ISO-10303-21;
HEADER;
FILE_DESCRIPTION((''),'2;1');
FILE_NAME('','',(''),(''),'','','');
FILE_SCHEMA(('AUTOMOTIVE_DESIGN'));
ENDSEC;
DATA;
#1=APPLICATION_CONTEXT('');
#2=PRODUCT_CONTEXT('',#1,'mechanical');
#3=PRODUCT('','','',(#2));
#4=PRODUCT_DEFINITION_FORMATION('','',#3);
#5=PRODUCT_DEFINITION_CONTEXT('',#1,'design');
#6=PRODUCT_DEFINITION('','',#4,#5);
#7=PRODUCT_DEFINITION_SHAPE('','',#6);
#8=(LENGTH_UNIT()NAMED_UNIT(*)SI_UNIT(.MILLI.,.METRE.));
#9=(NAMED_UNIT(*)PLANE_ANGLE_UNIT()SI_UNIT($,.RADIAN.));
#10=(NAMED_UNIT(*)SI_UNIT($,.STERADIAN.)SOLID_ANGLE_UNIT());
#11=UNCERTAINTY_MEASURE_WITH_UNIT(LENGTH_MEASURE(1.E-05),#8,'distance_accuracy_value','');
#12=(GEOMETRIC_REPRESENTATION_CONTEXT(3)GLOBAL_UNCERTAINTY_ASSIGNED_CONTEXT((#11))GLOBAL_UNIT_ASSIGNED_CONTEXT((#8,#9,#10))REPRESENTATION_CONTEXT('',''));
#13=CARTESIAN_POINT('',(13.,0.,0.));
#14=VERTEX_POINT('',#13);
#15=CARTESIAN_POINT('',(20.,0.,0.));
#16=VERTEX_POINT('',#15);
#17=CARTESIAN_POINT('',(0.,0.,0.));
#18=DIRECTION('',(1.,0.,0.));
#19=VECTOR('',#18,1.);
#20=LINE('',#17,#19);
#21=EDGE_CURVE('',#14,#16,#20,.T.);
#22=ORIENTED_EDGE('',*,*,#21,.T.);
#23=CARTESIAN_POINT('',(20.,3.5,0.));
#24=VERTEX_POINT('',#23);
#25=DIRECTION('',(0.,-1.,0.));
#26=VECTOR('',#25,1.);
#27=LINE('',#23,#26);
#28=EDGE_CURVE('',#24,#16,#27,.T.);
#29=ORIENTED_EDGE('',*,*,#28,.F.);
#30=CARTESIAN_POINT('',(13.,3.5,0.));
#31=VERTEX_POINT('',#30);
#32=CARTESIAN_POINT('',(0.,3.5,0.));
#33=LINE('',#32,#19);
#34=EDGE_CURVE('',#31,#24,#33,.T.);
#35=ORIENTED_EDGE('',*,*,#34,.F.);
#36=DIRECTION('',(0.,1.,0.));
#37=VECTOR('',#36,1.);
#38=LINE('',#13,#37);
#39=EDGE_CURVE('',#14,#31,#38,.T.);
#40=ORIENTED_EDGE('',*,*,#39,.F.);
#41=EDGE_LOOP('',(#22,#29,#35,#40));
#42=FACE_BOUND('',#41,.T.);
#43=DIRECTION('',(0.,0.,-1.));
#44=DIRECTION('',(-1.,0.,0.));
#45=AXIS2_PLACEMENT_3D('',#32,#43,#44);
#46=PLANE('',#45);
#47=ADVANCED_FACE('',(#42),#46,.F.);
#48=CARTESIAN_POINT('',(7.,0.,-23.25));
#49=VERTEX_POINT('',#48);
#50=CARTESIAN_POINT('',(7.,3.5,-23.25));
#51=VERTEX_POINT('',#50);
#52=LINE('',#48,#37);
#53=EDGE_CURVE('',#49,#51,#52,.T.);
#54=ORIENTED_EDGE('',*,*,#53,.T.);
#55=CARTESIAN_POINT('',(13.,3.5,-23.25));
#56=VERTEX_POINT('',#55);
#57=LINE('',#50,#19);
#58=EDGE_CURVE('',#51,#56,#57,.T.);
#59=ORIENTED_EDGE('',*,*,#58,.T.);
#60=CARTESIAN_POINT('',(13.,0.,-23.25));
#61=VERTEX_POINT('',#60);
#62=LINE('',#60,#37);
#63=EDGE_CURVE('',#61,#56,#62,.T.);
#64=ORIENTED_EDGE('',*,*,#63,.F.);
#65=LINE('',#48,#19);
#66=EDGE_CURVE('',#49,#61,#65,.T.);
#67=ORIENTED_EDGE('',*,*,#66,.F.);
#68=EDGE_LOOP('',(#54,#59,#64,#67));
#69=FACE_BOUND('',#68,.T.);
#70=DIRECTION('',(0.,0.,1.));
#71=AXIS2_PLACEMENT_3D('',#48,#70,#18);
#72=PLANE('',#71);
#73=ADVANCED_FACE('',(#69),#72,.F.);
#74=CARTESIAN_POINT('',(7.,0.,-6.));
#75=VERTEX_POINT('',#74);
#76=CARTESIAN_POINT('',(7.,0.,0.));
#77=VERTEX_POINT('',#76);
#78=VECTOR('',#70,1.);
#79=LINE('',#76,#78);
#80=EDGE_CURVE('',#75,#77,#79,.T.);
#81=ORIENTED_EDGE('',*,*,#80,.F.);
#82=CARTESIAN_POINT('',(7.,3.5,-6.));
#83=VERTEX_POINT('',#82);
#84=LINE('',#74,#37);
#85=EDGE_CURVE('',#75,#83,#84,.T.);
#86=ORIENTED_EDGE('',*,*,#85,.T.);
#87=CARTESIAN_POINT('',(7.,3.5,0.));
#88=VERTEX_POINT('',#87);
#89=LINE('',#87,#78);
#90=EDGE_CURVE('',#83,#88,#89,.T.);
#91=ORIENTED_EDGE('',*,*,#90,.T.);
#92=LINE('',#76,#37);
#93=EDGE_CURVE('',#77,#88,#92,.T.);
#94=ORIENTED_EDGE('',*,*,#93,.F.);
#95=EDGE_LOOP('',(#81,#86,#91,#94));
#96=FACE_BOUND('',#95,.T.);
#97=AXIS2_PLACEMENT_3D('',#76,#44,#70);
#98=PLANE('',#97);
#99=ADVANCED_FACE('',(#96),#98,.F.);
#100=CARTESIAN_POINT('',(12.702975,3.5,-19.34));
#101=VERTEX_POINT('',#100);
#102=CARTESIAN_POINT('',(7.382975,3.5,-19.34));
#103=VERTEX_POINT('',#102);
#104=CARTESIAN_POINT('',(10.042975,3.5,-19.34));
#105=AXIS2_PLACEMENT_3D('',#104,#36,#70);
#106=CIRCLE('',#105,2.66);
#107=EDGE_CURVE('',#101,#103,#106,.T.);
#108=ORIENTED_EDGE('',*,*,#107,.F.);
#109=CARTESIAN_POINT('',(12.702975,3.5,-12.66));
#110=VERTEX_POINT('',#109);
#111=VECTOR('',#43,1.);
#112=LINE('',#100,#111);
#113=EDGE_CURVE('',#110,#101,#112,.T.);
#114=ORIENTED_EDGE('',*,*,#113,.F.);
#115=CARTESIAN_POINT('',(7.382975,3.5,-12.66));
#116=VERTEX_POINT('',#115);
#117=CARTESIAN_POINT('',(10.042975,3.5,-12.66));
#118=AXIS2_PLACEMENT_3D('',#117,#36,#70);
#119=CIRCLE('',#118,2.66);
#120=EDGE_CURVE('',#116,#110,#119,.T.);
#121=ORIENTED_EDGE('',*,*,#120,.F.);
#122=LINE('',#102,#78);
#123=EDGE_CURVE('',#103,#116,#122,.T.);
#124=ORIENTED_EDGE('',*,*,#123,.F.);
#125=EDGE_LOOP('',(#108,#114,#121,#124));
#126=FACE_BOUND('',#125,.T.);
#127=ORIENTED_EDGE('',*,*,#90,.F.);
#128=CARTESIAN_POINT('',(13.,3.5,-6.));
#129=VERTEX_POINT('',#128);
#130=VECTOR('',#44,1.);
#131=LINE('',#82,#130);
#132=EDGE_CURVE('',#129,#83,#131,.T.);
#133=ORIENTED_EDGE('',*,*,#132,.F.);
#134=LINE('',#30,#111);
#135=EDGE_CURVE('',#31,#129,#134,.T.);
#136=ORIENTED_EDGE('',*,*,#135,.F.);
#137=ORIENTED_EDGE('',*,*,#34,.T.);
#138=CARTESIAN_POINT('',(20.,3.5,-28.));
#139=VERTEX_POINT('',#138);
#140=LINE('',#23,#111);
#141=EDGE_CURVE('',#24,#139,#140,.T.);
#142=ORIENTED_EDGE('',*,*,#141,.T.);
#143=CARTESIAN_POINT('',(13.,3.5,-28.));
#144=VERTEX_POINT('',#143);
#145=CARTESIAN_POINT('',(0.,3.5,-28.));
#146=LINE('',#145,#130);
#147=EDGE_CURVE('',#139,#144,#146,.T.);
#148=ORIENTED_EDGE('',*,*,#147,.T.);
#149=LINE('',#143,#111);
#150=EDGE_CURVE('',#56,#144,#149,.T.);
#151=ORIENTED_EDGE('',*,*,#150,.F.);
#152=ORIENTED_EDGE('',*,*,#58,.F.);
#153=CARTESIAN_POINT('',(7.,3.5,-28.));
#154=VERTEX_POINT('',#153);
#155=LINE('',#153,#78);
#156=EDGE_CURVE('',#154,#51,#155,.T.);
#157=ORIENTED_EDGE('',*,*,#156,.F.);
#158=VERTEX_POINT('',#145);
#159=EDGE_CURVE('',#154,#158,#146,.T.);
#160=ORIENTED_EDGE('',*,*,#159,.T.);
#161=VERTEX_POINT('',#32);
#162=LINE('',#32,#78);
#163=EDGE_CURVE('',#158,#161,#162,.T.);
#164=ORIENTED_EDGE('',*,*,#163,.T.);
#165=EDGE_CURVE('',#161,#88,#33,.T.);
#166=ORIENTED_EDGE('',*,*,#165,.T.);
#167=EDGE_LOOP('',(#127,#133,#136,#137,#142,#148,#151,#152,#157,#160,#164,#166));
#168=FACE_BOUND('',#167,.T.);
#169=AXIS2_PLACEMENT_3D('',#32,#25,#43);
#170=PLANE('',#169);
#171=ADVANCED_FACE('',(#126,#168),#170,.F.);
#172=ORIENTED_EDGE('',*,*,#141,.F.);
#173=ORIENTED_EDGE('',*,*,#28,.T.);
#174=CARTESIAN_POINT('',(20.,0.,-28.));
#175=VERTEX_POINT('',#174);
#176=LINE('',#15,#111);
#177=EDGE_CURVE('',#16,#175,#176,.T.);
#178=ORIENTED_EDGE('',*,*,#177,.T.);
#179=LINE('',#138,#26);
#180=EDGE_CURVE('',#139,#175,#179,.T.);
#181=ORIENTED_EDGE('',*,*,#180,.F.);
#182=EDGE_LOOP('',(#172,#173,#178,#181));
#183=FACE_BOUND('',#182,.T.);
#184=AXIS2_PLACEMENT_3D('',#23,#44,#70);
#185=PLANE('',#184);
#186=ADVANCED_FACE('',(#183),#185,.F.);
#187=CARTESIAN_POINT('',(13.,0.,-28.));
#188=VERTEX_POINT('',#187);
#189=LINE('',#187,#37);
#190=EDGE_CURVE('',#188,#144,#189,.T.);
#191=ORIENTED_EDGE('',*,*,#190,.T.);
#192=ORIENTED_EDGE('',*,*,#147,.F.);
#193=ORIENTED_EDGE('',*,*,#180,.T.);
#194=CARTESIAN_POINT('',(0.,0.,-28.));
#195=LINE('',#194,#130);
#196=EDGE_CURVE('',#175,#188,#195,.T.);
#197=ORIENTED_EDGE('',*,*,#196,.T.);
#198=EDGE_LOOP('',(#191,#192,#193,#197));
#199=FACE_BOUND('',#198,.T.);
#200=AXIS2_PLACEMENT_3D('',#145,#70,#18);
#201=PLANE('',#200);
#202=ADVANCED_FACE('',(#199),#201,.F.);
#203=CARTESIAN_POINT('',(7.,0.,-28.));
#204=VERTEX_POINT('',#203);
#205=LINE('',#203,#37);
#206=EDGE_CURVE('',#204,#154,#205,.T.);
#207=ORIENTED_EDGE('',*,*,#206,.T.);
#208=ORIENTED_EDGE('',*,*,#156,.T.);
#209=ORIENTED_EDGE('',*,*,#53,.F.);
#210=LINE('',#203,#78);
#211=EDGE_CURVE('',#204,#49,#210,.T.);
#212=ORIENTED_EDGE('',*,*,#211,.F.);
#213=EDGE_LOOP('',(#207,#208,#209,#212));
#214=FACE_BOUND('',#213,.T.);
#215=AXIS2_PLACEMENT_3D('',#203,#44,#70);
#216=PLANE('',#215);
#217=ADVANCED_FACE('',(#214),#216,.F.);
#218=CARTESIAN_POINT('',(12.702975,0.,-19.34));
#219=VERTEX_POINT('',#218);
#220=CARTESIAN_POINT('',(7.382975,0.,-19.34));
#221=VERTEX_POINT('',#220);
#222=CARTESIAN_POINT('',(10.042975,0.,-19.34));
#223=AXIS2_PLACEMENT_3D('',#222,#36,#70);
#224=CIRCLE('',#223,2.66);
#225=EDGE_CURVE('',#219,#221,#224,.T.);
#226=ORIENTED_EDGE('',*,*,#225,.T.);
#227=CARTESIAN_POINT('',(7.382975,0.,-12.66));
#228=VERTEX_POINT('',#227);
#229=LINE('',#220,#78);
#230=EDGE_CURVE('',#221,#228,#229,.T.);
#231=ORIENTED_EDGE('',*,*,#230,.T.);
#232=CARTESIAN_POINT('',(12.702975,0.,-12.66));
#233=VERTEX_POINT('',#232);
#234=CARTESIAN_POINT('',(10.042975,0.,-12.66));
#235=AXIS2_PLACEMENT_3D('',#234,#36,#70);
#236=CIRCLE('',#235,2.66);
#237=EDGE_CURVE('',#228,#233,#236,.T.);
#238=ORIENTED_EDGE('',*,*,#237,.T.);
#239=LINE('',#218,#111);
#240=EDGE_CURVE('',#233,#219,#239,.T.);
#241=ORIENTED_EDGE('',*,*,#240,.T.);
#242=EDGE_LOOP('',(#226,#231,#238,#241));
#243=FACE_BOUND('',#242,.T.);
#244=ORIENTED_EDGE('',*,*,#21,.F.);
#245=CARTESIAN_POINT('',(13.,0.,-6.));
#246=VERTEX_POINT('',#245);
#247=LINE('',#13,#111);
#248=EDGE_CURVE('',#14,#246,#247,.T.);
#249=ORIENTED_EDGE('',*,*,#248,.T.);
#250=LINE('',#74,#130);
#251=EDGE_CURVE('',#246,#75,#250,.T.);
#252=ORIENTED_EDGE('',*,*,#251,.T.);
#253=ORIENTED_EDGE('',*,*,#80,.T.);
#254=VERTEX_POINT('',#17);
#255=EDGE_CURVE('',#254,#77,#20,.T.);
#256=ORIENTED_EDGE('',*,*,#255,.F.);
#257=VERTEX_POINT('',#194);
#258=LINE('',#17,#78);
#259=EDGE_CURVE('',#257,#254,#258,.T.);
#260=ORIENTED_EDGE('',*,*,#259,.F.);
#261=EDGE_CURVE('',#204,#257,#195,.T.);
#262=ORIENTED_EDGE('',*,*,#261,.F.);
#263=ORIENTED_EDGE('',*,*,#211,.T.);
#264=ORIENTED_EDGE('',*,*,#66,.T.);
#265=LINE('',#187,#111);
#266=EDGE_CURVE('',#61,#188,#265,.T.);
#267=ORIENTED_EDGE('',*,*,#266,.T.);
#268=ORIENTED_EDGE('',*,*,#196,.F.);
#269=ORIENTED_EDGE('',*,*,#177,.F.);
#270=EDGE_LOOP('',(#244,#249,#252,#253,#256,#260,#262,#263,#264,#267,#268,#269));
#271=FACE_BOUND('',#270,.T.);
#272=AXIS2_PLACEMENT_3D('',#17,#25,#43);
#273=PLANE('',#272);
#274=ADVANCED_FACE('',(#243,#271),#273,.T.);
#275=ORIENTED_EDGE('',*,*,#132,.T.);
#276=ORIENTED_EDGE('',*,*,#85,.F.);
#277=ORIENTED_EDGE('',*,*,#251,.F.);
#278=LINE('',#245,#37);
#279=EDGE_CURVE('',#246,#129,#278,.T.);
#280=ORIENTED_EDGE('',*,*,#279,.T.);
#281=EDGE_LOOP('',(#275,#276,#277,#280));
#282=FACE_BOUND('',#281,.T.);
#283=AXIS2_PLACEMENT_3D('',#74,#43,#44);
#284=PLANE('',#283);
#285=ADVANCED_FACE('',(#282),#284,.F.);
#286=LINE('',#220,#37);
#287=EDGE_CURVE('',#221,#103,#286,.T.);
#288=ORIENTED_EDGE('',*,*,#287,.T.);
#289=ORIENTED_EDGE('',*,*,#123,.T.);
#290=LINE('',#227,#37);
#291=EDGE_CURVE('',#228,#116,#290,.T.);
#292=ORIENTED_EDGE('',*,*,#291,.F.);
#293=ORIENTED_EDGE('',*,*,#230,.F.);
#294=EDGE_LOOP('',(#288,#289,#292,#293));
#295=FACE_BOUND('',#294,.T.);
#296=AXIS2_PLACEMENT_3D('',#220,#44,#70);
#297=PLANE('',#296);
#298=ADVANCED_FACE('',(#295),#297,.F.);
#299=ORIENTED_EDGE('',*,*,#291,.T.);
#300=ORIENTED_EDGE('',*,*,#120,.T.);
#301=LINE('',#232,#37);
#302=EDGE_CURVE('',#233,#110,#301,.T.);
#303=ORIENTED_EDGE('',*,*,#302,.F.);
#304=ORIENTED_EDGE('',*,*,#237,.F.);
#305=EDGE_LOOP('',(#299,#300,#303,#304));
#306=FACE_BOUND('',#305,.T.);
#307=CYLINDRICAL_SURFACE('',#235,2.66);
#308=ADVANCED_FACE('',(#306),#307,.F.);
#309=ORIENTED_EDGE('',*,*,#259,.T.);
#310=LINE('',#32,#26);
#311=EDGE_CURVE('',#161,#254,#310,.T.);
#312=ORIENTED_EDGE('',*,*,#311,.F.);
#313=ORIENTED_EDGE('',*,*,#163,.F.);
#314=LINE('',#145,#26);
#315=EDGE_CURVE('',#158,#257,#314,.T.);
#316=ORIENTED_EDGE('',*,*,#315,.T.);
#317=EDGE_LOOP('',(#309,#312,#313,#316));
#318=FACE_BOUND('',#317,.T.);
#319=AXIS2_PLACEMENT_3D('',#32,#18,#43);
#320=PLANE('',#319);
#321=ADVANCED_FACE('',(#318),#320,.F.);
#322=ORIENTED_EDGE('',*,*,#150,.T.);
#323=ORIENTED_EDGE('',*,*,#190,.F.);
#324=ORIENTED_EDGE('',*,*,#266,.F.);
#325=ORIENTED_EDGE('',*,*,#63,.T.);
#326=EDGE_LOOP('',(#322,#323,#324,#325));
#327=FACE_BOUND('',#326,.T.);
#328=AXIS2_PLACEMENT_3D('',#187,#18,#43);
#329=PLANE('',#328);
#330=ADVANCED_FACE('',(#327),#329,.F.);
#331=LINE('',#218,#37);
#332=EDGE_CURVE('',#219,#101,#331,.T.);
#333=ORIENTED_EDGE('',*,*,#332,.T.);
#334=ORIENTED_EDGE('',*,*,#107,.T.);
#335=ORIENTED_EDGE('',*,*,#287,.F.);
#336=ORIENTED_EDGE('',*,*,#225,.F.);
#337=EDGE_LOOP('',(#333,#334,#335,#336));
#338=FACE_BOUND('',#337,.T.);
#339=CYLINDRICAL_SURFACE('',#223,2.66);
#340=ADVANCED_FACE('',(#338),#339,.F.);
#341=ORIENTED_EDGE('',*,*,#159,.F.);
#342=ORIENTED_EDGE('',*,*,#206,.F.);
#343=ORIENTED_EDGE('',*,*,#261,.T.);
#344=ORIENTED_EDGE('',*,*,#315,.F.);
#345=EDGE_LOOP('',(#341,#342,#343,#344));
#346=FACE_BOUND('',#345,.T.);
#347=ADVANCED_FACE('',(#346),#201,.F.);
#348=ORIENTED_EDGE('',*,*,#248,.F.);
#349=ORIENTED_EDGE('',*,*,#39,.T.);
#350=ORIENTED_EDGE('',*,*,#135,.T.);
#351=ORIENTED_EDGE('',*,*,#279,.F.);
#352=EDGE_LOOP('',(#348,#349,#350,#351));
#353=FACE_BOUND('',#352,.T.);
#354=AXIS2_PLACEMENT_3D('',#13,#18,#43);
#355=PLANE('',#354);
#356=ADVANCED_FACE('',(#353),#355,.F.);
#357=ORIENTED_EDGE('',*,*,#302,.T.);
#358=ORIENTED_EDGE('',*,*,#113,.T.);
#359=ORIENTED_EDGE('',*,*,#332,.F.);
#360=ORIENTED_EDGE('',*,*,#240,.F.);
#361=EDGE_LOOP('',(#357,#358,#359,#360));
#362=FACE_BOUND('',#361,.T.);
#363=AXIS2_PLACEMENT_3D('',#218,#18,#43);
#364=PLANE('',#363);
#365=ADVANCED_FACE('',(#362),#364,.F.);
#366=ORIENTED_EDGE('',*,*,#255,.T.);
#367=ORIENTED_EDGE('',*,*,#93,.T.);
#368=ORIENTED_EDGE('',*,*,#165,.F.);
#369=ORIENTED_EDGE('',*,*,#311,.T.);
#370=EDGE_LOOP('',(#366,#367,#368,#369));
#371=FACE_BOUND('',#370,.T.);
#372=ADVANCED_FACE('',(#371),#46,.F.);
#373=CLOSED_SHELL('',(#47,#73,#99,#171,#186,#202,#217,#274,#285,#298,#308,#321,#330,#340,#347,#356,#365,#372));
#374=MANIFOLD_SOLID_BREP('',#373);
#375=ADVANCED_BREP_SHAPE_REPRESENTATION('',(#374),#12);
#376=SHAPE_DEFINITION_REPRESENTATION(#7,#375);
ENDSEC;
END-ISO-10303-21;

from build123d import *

# Parameters (mm, degrees)
SKETCH1_W           = 20
SKETCH1_H           = 28
BOSS_EXTRUDE1_DEPTH = 3.5
SKETCH2_W           = 6
SKETCH2_H           = 4.75
SKETCH2_H_2         = 6
CUT_EXTRUDE1_DEPTH  = 4.5
CUT_EXTRUDE6_DEPTH  = 4.5


with BuildPart() as part:
    # Sketch1 → Boss-Extrude1 (new body)
    with BuildSketch(Plane(origin=(0, 0, 0), x_dir=(1, 0, 0), z_dir=(0, 1, 0))):
        with Locations((10, 14)):
            Rectangle(SKETCH1_W, SKETCH1_H)
    extrude(amount=BOSS_EXTRUDE1_DEPTH)

    # Sketch2 → Cut-Extrude1 (cut, through all)
    with BuildSketch(Plane(origin=(0, 3.5, 0), x_dir=(1, 0, 0), z_dir=(0, 1, 0))):
        with Locations((10, 25.625)):
            Rectangle(SKETCH2_W, SKETCH2_H)
        with Locations((10, 3)):
            Rectangle(SKETCH2_W, SKETCH2_H_2)
    extrude(amount=-CUT_EXTRUDE1_DEPTH, mode=Mode.SUBTRACT)

    # Sketch4 → Cut-Extrude6 (cut, through all)
    with BuildSketch(Plane(origin=(0, 3.5, 0), x_dir=(1, 0, 0), z_dir=(0, 1, 0))):
        with BuildLine():
            Line((12.702975316, 19.34), (12.702975316, 12.66))
            ThreePointArc((12.702975316, 12.66), (10.042975316, 10), (7.382975316, 12.66))
            Line((7.382975316, 12.66), (7.382975316, 19.34))
            ThreePointArc((7.382975316, 19.34), (10.042975316, 22), (12.702975316, 19.34))
        make_face()
    extrude(amount=-CUT_EXTRUDE6_DEPTH, mode=Mode.SUBTRACT)


solid = part.part
